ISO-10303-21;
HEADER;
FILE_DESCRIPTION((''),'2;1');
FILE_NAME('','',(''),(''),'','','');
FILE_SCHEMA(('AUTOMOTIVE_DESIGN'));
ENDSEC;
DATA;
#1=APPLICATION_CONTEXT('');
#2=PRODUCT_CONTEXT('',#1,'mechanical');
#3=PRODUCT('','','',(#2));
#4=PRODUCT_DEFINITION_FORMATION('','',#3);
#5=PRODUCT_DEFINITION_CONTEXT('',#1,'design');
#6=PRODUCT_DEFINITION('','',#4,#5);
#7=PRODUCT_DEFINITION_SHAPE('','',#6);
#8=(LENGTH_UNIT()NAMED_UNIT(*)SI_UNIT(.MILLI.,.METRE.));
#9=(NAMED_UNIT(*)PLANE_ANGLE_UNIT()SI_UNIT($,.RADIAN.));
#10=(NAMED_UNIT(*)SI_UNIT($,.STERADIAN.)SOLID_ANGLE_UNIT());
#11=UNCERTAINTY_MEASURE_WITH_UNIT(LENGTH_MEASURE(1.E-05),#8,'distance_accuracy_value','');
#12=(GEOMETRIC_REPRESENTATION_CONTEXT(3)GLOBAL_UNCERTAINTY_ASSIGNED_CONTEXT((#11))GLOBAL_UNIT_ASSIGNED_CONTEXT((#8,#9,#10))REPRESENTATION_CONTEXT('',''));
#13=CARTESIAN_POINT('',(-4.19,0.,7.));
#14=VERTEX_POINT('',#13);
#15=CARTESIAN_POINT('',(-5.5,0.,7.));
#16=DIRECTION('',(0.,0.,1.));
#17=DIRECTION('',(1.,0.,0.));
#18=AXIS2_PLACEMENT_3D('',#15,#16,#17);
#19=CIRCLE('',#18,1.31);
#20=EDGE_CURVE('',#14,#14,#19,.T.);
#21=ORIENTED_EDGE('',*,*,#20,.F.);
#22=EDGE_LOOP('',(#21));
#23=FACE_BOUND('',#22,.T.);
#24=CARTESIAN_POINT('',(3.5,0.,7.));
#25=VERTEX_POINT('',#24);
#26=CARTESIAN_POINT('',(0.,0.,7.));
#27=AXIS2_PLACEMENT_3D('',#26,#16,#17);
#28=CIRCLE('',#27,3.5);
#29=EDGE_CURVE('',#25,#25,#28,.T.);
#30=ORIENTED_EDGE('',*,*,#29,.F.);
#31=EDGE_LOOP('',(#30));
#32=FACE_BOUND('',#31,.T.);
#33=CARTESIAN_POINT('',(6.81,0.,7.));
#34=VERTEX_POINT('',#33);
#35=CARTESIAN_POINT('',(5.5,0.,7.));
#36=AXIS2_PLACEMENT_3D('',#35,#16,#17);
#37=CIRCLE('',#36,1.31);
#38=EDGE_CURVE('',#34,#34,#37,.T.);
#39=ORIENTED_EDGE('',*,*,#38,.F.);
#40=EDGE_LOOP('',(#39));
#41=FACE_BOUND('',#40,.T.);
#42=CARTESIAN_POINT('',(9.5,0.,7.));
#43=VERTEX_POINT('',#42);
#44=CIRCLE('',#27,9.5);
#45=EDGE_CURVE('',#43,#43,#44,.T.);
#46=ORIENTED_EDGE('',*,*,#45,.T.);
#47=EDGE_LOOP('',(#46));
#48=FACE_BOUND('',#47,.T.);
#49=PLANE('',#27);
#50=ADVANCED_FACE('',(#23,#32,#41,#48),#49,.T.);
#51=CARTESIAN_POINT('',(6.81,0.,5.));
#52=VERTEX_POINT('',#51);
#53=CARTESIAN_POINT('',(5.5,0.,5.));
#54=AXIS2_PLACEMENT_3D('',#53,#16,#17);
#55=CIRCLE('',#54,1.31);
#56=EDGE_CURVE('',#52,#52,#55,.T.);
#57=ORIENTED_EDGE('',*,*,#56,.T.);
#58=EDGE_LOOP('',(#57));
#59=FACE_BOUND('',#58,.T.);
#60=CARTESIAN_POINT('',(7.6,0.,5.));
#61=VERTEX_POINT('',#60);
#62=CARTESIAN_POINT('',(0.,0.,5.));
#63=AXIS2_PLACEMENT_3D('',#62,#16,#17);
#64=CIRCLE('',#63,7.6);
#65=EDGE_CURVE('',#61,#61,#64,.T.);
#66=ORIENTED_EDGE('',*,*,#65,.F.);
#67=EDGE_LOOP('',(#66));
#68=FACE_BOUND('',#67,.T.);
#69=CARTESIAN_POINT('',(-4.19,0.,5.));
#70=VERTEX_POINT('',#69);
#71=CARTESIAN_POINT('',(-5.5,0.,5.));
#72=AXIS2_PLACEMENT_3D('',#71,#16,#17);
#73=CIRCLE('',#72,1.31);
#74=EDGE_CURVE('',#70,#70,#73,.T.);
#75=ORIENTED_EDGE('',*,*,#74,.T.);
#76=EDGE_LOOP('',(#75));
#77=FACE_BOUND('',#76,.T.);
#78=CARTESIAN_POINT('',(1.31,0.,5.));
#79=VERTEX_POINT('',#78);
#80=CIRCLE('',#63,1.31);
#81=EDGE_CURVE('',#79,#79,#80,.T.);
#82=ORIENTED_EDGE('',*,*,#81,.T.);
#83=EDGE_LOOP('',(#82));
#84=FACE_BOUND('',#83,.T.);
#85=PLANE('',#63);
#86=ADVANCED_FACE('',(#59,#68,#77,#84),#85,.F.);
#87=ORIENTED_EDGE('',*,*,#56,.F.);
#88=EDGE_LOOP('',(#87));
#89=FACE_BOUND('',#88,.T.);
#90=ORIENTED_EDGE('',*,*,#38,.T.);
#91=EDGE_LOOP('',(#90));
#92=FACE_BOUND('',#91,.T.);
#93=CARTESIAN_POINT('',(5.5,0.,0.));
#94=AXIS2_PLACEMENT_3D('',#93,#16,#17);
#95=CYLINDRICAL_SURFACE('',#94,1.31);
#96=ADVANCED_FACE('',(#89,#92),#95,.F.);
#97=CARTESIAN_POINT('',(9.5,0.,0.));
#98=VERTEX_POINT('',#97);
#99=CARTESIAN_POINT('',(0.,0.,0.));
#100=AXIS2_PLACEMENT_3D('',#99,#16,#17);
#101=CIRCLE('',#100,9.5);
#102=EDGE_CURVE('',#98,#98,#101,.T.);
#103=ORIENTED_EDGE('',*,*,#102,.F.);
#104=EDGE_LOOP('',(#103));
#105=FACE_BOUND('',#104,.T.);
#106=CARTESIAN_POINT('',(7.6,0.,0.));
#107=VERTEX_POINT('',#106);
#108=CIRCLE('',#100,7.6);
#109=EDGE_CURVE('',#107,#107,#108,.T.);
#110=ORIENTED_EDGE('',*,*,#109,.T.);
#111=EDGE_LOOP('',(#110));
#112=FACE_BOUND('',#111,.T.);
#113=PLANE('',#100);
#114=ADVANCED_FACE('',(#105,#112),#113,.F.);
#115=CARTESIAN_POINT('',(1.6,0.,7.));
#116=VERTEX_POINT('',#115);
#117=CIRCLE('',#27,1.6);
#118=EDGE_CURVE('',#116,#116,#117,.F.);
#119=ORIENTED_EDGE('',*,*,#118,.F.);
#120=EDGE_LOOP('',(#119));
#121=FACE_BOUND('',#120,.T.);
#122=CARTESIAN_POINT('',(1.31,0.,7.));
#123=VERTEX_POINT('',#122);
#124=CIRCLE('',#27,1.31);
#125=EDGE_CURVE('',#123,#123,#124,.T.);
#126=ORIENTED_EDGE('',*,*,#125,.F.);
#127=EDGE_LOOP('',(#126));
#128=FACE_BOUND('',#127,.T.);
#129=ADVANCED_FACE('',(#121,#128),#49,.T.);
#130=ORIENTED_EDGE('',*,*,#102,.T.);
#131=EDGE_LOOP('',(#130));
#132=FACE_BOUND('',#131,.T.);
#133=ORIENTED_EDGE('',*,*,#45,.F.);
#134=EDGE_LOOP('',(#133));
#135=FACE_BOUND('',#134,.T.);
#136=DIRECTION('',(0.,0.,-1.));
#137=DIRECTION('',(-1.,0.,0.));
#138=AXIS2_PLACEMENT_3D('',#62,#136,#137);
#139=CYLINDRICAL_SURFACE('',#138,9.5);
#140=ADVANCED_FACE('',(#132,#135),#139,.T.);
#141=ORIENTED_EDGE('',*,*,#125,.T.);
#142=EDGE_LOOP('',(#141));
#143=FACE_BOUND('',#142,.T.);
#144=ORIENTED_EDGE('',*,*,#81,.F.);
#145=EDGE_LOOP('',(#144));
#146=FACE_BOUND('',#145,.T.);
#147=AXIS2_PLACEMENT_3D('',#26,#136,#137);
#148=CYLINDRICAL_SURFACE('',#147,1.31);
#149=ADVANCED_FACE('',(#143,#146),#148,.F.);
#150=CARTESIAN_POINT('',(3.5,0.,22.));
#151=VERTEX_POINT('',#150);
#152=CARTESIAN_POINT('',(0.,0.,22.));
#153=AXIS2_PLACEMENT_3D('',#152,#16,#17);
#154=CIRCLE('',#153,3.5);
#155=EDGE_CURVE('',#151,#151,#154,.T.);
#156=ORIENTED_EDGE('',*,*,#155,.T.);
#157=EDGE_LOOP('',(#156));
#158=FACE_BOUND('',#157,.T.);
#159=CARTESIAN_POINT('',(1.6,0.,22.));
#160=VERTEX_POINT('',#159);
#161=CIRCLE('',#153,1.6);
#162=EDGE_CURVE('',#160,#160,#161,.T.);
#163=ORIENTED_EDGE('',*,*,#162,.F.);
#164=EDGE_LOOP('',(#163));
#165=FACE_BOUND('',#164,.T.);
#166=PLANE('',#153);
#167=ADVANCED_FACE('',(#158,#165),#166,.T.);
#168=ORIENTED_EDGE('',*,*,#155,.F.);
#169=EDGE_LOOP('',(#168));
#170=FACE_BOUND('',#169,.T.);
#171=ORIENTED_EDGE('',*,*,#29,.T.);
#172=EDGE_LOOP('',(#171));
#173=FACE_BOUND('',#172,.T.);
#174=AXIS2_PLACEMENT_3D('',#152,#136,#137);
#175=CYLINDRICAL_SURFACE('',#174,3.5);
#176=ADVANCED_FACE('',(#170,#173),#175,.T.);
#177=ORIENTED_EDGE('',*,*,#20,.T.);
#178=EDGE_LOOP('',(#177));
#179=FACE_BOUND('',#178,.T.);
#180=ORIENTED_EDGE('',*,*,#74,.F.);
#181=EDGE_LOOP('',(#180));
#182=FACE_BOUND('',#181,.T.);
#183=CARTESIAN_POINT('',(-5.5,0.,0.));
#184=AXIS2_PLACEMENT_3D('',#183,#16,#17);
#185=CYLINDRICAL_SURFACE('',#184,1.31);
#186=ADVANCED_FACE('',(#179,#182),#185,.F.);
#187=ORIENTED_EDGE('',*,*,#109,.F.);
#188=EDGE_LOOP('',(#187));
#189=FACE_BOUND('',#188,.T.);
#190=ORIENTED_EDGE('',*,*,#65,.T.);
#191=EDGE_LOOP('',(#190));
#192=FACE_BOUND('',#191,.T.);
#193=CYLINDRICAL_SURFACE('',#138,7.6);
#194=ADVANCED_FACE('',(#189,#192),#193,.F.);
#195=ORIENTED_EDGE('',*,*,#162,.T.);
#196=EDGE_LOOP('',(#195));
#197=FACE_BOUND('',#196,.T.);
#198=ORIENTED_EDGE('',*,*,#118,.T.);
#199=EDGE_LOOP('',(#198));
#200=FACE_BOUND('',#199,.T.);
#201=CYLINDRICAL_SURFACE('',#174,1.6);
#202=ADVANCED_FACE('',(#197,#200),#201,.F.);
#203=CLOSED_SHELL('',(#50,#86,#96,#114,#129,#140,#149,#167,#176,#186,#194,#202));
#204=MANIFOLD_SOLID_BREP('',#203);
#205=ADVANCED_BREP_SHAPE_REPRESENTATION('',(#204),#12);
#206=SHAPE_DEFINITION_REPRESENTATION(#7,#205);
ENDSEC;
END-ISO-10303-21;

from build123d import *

# Parameters (mm, degrees)
SKETCH1_R               = 9.5
SKETCH1_R_2             = 7.6
BOSS_EXTRUDE1_DEPTH     = 5
SKETCH2_R               = 9.5
SKETCH2_R_2             = 1.31
BOSS_EXTRUDE2_DEPTH     = 2
SKETCH3_R               = 3.5
SKETCH3_R_2             = 1.6
BOSS_EXTRUDE3_DEPTH     = 15
CUT_EXTRUDE1_DEPTH      = 21.137030566
CUT_EXTRUDE1_DEPTH_BACK = 21.137030566
SKETCH3_3_R             = 1.31


with BuildPart() as part:
    # Sketch1 → Boss-Extrude1 (new body)
    with BuildSketch(Plane.XY):
        Circle(SKETCH1_R)
        Circle(SKETCH1_R_2, mode=Mode.SUBTRACT)
    extrude(amount=BOSS_EXTRUDE1_DEPTH)

    # Sketch2 → Boss-Extrude2 (add)
    with BuildSketch(Plane.XY.offset(5)):
        Circle(SKETCH2_R)
        Circle(SKETCH2_R_2, mode=Mode.SUBTRACT)
    extrude(amount=BOSS_EXTRUDE2_DEPTH)

    # Sketch3 → Boss-Extrude3 (add)
    with BuildSketch(Plane.XY.offset(7)):
        Circle(SKETCH3_R)
        Circle(SKETCH3_R_2, mode=Mode.SUBTRACT)
    extrude(amount=BOSS_EXTRUDE3_DEPTH)

    # Sketch3<3> → Cut-Extrude1 (cut, two sides: drawn at the far end of the back side and taken through both)
    with BuildSketch(Plane.XY.offset(7).offset(-CUT_EXTRUDE1_DEPTH_BACK)):
        with Locations((-5.5, 0)):
            Circle(SKETCH3_3_R)
        with Locations((5.5, 0)):
            Circle(SKETCH3_3_R)
    extrude(amount=CUT_EXTRUDE1_DEPTH + CUT_EXTRUDE1_DEPTH_BACK, mode=Mode.SUBTRACT)


solid = part.part
